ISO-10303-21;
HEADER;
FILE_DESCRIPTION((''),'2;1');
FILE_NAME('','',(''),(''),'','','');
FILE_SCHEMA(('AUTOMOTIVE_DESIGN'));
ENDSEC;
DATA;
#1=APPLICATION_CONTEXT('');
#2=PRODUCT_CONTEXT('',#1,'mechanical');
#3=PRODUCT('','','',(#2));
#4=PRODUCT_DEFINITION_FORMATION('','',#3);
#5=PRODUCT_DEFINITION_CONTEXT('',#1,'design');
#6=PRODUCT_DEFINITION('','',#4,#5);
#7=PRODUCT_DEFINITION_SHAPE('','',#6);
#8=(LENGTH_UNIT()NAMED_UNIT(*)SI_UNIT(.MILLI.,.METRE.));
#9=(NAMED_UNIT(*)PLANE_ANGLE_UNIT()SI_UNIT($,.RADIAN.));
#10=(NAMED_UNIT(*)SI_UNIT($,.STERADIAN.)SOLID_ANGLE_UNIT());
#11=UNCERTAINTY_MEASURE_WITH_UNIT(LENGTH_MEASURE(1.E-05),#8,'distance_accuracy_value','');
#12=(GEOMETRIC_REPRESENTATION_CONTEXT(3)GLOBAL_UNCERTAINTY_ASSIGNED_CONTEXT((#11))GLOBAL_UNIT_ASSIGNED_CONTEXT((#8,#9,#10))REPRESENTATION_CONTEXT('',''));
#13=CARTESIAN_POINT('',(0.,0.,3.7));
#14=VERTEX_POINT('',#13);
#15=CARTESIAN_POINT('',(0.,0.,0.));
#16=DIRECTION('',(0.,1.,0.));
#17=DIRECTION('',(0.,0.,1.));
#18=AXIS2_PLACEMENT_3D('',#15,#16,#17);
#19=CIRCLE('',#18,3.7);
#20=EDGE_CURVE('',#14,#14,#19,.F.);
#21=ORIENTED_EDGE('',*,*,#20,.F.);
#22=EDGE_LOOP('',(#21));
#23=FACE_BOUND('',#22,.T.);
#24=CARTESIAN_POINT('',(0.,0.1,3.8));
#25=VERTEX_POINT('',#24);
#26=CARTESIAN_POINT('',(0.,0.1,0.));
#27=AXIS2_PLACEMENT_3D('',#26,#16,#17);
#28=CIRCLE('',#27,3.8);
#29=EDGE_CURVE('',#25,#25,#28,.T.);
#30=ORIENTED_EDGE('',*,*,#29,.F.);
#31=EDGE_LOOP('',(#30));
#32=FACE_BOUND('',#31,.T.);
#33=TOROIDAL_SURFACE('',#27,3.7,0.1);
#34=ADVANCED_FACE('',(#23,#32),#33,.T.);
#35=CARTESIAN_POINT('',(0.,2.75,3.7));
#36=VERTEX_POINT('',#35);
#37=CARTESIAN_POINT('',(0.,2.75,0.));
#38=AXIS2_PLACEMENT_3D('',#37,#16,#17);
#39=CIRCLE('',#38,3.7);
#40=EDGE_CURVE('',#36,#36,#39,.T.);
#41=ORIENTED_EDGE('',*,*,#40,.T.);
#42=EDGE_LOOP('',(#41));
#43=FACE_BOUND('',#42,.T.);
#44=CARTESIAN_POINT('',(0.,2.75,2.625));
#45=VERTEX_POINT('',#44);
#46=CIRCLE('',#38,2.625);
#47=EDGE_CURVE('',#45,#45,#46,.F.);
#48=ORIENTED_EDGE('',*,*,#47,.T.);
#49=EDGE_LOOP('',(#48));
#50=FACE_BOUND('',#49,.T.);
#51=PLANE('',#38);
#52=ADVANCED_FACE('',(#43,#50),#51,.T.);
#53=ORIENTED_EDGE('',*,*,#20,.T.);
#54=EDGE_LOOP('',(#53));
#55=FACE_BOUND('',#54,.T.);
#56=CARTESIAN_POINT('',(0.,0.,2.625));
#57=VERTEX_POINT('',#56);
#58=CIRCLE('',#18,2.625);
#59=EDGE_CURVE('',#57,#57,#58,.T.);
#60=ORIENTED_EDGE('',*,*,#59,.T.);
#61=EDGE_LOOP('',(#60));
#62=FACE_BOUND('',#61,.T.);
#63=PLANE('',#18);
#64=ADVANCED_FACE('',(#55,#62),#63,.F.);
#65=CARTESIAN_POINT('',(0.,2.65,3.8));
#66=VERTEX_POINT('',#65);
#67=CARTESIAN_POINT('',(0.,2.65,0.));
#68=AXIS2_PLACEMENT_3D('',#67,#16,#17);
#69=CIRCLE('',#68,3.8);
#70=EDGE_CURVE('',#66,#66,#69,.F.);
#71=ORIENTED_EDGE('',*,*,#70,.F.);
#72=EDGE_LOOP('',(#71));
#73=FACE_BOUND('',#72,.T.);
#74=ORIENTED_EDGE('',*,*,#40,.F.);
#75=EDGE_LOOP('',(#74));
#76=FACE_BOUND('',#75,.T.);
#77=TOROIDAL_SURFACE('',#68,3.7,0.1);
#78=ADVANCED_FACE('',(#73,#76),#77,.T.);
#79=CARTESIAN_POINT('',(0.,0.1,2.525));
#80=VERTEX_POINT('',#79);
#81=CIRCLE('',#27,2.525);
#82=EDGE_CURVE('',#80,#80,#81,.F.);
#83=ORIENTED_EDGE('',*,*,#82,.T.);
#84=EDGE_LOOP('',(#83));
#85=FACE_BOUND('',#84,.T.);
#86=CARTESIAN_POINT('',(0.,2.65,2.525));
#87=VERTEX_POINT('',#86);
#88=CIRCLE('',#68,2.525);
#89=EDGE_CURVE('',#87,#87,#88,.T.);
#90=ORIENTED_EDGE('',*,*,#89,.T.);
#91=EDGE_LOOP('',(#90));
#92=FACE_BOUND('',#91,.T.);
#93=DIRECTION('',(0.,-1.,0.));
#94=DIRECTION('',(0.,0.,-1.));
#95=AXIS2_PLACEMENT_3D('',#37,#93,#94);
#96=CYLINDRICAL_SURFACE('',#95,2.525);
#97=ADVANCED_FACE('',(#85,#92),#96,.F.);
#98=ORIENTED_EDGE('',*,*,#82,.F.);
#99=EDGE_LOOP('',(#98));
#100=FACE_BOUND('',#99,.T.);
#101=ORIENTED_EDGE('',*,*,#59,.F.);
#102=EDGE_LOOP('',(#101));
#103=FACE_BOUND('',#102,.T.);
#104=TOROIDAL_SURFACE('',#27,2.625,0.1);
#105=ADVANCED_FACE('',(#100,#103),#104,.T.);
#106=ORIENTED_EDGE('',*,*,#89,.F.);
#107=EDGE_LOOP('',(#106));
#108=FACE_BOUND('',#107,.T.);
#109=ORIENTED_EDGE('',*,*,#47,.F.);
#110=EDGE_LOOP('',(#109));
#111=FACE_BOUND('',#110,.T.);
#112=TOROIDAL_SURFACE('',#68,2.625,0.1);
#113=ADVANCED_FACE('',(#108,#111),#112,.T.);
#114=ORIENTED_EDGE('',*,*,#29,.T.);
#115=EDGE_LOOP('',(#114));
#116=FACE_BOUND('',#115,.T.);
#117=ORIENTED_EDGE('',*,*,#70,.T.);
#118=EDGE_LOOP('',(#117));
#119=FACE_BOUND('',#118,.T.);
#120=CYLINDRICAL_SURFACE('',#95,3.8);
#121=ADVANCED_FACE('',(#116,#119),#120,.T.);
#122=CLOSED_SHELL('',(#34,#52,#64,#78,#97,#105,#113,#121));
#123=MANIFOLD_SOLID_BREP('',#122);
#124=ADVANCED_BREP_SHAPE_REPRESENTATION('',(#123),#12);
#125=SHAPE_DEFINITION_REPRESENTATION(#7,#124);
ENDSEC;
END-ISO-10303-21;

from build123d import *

# Parameters (mm, degrees)
SKETCH_1_R      = 3.8
SKETCH_1_R_2    = 2.525
EXTRUDE_1_DEPTH = 2.75
FILLET_1_R      = 0.1


with BuildPart() as part:
    # Эскиз1 → Бобышка-Вытянуть1 (new body)
    with BuildSketch(Plane(origin=(0, 0, 0), x_dir=(1, 0, 0), z_dir=(0, 1, 0))):
        Circle(SKETCH_1_R)
        Circle(SKETCH_1_R_2, mode=Mode.SUBTRACT)
    extrude(amount=EXTRUDE_1_DEPTH)

    # Скругление1
    fillet_1_edges = [part.edges().sort_by_distance(p)[0] for p in [
        (-3.8, 0, 0),
        (-3.8, 2.75, 0),
        (-2.525, 0, 0),
        (-2.525, 2.75, 0),
    ]]
    fillet(fillet_1_edges, radius=FILLET_1_R)


solid = part.part
